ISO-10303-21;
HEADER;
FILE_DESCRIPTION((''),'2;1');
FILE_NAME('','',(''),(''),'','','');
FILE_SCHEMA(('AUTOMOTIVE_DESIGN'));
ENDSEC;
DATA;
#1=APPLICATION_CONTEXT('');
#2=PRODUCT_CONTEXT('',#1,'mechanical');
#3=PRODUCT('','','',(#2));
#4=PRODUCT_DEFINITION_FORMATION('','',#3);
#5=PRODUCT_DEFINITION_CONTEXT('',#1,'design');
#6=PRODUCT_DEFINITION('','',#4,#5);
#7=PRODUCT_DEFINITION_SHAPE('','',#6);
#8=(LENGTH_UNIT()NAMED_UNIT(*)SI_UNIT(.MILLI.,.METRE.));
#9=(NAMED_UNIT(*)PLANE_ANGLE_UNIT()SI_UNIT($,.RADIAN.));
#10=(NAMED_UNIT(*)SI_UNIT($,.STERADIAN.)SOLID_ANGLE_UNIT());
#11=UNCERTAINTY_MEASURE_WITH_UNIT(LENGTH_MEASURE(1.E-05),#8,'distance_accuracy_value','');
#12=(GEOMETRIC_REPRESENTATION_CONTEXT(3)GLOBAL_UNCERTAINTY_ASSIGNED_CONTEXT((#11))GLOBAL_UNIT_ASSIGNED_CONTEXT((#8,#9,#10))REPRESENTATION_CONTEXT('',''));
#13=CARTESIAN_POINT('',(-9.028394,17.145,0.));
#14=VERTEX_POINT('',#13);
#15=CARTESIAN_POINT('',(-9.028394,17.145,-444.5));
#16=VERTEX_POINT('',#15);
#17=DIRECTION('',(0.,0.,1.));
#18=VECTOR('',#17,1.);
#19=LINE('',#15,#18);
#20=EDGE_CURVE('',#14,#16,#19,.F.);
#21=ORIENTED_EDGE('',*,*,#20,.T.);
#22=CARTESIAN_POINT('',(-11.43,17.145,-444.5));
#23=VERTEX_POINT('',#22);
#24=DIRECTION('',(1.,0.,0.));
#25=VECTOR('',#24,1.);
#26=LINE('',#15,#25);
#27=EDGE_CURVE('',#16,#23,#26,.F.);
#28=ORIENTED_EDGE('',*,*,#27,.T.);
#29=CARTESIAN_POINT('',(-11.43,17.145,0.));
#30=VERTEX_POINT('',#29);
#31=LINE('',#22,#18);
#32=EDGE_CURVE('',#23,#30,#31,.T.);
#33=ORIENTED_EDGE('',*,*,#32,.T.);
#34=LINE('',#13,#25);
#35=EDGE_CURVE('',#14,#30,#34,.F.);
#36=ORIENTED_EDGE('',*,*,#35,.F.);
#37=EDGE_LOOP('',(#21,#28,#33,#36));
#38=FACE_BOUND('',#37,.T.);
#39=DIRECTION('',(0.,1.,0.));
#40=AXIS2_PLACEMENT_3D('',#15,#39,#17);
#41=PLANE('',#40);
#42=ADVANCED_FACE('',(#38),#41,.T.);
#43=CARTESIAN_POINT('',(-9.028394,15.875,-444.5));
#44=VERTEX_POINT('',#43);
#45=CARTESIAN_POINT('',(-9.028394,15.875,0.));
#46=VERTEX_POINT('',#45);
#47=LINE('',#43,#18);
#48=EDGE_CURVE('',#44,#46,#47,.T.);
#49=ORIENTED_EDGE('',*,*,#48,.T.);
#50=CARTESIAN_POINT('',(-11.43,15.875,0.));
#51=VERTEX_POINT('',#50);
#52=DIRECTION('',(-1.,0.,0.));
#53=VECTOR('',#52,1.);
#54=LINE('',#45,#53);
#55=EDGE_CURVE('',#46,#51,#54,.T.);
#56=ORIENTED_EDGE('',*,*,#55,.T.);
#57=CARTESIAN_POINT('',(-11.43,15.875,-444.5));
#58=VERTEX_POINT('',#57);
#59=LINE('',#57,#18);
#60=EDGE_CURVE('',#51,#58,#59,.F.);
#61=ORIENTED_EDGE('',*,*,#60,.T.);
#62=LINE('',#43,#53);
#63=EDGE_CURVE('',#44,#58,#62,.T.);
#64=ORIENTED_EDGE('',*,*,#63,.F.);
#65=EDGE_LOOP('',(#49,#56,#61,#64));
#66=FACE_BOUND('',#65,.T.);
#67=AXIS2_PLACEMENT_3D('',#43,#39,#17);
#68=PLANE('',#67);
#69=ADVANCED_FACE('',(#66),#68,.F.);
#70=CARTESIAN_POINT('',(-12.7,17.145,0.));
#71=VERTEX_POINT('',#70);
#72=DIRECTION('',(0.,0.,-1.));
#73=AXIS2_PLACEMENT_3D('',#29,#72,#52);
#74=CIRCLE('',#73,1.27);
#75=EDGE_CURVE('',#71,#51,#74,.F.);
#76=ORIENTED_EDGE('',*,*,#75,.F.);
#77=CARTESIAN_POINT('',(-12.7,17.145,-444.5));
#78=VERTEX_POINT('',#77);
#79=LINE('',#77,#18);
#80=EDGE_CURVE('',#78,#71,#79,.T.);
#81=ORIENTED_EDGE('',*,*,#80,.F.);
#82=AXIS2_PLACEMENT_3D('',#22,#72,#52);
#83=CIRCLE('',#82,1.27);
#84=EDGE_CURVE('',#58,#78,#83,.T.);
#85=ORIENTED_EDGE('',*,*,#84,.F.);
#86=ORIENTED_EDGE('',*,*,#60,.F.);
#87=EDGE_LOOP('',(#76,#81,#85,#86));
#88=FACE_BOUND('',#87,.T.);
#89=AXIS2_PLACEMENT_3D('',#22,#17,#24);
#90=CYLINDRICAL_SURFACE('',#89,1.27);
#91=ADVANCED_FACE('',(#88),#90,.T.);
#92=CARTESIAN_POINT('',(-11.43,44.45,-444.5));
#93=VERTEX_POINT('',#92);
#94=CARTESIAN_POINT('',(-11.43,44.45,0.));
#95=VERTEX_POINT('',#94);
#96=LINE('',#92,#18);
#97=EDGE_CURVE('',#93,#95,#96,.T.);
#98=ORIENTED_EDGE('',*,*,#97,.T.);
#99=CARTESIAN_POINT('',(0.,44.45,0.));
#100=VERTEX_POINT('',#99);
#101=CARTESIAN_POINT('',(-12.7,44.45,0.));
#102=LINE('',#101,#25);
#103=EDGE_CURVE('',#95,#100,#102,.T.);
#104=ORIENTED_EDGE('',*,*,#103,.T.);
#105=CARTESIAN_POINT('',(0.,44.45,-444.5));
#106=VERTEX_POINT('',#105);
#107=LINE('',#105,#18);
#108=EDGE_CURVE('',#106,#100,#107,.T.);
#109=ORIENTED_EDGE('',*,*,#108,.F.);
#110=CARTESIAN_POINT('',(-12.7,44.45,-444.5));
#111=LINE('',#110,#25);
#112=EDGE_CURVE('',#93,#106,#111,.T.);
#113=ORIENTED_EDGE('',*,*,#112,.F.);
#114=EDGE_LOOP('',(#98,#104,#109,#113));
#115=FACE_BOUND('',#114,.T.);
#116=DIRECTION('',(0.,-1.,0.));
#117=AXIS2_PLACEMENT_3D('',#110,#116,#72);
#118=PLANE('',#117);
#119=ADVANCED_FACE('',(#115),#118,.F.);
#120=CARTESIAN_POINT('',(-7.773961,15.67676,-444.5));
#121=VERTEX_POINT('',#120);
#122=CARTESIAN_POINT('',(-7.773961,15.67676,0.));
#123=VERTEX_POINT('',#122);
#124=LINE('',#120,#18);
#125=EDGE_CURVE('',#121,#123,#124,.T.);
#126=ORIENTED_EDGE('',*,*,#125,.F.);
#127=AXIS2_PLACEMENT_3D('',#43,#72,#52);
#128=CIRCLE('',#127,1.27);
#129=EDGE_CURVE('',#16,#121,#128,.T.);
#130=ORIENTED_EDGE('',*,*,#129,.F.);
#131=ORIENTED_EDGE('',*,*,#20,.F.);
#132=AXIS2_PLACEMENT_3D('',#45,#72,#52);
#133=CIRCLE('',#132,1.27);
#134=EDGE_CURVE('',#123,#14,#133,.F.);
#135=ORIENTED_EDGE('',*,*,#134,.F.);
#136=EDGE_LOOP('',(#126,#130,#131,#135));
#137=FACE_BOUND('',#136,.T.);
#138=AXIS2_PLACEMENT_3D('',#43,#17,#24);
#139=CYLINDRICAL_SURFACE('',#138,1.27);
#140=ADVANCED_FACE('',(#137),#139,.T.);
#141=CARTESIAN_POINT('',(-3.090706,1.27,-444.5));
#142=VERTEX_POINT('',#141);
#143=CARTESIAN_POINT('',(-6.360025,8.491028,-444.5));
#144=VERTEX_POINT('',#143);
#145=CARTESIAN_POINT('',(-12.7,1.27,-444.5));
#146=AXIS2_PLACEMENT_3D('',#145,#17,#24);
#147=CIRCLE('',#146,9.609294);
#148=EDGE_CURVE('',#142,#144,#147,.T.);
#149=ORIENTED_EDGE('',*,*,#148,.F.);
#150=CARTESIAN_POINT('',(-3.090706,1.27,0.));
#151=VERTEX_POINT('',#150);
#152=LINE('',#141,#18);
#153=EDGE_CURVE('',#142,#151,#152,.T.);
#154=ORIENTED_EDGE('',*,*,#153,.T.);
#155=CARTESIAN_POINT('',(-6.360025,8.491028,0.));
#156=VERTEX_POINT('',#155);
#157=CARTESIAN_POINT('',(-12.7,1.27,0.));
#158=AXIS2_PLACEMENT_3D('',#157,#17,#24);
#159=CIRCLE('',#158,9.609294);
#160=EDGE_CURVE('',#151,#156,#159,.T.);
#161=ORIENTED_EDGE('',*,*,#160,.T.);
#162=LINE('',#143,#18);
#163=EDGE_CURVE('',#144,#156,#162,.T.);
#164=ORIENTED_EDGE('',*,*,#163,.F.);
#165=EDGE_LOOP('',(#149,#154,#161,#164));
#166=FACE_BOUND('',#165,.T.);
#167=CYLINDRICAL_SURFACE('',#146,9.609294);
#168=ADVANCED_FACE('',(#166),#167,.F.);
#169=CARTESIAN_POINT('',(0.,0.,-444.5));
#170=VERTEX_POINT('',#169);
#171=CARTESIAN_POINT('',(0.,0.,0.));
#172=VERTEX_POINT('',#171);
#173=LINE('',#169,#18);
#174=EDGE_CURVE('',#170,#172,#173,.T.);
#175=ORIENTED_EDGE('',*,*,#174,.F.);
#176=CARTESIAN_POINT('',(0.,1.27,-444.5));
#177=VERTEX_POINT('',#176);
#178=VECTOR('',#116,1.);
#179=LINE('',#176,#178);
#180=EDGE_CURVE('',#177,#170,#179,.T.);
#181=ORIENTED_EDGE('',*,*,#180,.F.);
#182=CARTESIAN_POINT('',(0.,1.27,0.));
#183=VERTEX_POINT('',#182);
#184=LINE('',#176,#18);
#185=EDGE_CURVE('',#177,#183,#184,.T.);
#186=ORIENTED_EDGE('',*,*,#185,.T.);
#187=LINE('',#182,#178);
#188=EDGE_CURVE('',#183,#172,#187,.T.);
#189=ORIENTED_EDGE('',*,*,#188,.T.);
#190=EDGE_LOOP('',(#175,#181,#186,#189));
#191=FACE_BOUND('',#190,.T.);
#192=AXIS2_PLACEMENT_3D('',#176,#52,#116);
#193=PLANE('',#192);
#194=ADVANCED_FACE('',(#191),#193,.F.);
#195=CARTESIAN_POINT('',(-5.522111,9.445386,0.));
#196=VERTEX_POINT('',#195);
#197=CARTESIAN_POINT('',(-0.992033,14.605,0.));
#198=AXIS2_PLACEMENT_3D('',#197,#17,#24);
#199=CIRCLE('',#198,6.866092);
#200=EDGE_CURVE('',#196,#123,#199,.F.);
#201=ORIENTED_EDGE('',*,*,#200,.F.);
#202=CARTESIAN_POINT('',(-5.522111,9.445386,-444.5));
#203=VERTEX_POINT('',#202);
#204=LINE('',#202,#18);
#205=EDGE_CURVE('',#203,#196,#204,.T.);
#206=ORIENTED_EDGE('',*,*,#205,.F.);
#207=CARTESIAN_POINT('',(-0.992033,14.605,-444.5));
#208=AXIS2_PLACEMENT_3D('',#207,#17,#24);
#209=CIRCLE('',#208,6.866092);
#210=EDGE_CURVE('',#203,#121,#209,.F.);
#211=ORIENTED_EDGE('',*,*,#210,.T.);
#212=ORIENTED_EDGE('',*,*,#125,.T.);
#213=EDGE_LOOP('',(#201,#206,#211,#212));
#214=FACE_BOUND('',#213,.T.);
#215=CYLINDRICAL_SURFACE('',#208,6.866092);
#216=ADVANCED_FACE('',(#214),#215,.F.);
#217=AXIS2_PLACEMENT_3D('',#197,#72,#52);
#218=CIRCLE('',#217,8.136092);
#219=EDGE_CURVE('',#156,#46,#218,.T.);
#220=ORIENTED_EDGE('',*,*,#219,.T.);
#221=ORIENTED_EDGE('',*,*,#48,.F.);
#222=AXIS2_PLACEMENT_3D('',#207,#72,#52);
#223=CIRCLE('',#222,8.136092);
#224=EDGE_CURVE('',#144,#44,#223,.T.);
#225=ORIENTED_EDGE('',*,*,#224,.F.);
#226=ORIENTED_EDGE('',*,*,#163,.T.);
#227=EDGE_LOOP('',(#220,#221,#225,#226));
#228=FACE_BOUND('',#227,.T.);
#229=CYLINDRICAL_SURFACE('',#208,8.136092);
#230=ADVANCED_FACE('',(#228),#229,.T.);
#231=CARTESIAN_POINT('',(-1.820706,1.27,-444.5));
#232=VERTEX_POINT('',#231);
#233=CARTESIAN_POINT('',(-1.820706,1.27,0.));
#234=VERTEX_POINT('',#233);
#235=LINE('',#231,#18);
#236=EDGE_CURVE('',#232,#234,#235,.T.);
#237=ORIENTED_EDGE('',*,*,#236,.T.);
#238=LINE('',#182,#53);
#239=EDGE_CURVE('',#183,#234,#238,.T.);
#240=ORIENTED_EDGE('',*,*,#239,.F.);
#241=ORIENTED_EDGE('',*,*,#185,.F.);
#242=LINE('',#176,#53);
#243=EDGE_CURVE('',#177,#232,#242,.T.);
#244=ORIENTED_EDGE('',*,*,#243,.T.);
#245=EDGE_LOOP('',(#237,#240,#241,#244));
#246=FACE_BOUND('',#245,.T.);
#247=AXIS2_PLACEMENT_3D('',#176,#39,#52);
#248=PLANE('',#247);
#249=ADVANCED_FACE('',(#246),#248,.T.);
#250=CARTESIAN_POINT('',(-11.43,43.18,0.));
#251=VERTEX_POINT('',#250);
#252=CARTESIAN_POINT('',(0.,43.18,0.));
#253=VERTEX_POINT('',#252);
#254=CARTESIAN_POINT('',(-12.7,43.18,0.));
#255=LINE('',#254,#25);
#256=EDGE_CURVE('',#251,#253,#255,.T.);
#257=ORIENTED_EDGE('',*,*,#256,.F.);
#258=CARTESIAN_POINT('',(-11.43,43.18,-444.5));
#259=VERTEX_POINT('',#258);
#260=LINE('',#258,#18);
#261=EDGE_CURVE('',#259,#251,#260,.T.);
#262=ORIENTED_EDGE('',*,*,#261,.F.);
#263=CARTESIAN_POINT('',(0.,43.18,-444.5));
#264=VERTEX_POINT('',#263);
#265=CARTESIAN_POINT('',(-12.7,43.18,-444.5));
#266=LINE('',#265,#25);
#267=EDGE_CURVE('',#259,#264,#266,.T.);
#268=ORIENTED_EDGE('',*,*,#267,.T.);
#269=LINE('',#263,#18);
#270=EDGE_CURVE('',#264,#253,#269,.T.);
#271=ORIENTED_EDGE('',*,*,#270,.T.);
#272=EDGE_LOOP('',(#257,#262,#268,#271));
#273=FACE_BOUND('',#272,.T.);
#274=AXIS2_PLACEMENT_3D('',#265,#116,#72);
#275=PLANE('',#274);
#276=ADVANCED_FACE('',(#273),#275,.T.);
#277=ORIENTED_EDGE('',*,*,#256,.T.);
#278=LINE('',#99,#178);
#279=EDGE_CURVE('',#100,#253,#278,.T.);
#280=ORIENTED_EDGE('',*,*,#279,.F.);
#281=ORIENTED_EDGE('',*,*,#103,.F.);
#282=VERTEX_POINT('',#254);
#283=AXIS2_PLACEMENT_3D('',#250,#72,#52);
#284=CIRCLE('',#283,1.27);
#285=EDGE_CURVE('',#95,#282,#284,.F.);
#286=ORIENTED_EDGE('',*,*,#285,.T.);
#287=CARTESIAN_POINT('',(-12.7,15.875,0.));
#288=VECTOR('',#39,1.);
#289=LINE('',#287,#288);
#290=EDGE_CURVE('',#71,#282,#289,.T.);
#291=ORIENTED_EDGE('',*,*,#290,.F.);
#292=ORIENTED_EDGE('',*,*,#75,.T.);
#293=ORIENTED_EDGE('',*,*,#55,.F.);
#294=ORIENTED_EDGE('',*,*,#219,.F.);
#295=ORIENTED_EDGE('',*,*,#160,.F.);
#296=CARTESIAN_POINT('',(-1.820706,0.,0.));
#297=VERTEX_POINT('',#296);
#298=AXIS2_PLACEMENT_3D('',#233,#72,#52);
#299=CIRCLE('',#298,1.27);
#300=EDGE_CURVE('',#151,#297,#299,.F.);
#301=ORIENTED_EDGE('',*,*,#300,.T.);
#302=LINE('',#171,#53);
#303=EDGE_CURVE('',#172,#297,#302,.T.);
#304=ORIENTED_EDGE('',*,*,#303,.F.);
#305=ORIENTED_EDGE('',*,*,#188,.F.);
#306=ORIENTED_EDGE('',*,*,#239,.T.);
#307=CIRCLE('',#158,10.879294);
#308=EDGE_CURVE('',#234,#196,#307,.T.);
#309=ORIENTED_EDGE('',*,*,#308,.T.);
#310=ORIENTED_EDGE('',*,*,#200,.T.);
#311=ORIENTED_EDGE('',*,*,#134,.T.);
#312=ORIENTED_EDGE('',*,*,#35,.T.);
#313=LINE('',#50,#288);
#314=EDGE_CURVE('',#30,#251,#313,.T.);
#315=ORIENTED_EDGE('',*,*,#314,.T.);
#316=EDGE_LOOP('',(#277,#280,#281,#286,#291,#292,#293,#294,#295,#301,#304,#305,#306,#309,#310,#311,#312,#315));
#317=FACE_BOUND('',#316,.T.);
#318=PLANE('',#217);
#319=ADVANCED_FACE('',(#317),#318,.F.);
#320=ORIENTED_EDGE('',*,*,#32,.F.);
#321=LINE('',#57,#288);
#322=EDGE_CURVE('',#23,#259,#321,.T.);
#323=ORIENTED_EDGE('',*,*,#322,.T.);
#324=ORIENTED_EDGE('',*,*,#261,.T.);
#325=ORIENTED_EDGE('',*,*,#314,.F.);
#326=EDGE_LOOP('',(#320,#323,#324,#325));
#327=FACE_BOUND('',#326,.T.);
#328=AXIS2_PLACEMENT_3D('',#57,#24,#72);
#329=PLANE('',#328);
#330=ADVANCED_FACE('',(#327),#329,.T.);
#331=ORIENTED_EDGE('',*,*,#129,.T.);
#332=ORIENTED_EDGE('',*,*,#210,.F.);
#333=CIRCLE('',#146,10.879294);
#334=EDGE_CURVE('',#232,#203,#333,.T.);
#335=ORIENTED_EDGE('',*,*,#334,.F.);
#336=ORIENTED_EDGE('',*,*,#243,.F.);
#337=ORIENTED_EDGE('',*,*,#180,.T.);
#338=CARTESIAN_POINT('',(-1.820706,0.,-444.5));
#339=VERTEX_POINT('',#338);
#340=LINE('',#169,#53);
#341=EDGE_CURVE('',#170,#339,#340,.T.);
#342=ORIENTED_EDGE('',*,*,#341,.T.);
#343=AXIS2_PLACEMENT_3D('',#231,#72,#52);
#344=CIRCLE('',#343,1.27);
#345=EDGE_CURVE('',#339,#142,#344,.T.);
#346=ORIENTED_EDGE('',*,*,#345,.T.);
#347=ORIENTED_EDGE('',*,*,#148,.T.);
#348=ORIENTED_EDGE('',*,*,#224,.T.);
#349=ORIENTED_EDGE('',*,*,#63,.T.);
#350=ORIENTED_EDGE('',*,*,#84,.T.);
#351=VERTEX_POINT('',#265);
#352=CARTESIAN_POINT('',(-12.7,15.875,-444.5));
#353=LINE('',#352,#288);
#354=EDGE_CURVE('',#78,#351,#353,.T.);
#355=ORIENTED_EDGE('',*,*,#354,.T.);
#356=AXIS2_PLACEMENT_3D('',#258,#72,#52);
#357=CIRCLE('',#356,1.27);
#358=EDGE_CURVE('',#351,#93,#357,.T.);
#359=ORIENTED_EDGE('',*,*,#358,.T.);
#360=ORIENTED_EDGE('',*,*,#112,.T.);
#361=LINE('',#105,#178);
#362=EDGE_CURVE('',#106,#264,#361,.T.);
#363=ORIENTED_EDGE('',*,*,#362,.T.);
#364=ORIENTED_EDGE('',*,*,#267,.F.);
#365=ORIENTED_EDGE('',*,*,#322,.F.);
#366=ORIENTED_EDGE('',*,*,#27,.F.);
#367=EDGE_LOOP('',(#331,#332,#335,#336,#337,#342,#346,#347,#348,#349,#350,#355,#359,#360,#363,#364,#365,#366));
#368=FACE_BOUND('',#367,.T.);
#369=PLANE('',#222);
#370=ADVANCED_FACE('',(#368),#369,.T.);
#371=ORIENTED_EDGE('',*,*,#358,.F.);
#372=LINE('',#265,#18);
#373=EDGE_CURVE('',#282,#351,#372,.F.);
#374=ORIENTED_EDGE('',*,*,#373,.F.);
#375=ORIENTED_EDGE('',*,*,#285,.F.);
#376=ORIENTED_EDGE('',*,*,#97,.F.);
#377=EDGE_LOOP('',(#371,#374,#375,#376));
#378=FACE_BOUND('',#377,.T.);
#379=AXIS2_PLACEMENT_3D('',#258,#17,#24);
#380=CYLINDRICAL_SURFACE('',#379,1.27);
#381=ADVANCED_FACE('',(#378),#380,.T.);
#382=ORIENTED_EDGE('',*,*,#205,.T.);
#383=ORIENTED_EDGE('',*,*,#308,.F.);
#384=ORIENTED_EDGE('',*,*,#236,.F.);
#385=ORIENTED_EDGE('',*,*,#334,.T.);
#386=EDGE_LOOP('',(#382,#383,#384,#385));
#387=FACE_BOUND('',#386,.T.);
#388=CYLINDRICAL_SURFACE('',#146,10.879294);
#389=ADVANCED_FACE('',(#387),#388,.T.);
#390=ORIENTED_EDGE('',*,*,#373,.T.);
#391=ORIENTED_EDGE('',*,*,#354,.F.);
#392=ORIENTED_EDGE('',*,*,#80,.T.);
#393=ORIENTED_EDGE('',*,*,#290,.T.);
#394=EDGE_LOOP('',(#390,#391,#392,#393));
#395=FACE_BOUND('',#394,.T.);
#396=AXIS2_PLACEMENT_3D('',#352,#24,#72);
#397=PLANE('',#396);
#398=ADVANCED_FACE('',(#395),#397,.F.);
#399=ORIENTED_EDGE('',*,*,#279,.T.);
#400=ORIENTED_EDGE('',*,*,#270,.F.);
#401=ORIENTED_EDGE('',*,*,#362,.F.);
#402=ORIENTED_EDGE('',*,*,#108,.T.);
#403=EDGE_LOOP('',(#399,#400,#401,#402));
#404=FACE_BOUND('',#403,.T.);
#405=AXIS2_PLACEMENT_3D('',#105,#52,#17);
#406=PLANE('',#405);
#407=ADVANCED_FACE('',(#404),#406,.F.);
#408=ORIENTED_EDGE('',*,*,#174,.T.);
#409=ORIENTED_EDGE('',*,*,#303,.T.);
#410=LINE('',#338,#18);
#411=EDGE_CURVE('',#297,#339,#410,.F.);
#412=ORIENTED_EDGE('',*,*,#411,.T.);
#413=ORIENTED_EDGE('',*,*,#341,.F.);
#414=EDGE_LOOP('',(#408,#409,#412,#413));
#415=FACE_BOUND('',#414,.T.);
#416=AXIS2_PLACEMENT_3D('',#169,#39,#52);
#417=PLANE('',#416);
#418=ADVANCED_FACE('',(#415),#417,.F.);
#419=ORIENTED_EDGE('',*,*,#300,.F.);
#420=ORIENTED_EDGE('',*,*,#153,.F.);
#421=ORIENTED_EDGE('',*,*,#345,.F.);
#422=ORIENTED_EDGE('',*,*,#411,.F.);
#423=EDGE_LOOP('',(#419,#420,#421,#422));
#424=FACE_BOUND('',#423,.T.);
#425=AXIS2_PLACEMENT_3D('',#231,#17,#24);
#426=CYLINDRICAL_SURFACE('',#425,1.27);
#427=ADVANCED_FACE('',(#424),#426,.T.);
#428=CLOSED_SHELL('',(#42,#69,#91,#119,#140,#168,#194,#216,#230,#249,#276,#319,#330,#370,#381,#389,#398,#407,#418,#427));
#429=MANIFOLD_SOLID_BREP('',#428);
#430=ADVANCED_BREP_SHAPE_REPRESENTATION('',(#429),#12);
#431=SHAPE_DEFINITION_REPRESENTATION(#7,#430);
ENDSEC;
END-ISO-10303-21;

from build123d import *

# Parameters (mm, degrees)
EXTRUDE_THIN1_DEPTH = 444.5
FILLET1_R           = 1.27


with BuildPart() as part:
    # Sketch1 → Extrude-Thin1 (new body)
    with BuildSketch(Plane.XY):
        with BuildLine():
            Line((0, 0), (-3.175, 0))
            ThreePointArc((-3.175, 0), (-3.702847988, 4.644874913), (-6.360025415, 8.491028131))
            ThreePointArc((-6.360025415, 8.491028131), (-8.643825609, 11.839848435), (-9.028393687, 15.875))
            Line((-9.028393687, 15.875), (-12.7, 15.875))
            Line((-12.7, 15.875), (-12.7, 44.45))
            Line((-12.7, 44.45), (0, 44.45))
            Line((0, 44.45), (0, 43.18))
            Line((0, 43.18), (-11.43, 43.18))
            Line((-11.43, 43.18), (-11.43, 17.145))
            Line((-11.43, 17.145), (-7.371031325, 17.145))
            ThreePointArc((-7.371031325, 17.145), (-7.668334251, 13.001809097), (-5.522110789, 9.445386071))
            ThreePointArc((-5.522110789, 9.445386071), (-2.789162607, 5.757129719), (-1.820706321, 1.27))
            Line((-1.820706321, 1.27), (0, 1.27))
            Line((0, 1.27), (0, 0))
        make_face()
    extrude(amount=-EXTRUDE_THIN1_DEPTH)

    # Fillet1
    fillet1_edges = [part.edges().sort_by_distance(p)[0] for p in [
        (-7.371031325, 17.145, -222.25),
        (-3.175, 0, -222.25),
        (-12.7, 15.875, -222.25),
        (-12.7, 44.45, -222.25),
    ]]
    fillet(fillet1_edges, radius=FILLET1_R)


solid = part.part
